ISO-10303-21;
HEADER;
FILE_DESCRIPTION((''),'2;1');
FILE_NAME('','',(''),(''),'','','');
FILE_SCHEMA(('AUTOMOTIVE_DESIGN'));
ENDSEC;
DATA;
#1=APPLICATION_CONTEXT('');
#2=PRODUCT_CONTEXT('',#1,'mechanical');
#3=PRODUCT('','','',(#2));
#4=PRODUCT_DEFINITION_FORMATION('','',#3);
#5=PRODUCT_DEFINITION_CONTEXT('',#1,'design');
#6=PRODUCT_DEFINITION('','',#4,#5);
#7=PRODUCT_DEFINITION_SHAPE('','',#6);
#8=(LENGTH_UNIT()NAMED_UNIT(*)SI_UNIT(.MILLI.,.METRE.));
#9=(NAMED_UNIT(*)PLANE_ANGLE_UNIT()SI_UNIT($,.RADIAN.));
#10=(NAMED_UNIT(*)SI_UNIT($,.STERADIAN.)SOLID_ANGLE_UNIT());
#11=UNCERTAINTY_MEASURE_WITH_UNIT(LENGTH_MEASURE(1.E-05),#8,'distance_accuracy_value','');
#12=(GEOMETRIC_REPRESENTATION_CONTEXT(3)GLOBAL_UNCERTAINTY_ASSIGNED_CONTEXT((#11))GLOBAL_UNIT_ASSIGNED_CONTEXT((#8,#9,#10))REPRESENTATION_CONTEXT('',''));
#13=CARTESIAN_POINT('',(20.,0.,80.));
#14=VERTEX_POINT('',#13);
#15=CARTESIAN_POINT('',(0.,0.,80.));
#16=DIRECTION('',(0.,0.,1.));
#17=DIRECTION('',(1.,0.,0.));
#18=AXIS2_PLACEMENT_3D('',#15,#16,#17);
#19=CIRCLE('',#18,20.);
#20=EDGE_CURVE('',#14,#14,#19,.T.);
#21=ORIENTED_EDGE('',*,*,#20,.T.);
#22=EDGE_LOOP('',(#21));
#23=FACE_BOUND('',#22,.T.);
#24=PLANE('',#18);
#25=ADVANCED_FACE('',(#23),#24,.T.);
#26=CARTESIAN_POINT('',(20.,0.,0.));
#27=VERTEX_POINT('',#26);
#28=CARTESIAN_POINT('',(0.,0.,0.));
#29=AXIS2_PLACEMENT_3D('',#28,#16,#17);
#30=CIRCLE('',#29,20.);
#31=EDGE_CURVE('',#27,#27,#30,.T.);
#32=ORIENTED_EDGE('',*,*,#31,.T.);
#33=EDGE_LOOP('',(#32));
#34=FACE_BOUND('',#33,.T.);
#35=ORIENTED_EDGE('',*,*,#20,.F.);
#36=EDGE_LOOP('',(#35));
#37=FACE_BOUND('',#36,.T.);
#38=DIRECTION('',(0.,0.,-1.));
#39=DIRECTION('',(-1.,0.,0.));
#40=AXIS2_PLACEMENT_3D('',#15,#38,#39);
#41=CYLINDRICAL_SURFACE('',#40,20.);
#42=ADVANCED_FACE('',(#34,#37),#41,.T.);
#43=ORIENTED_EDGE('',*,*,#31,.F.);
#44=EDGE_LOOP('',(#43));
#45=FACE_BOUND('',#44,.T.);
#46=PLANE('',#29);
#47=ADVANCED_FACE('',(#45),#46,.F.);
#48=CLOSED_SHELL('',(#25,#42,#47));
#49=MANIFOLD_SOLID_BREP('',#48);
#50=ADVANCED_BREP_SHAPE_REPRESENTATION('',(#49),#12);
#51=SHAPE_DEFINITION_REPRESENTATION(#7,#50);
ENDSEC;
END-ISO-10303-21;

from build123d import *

# Parameters (mm, degrees)
ESQUISSE1_R        = 20
BOSS_EXTRU_1_DEPTH = 80


with BuildPart() as part:
    # Esquisse1 → Boss.-Extru.1 (new body)
    with BuildSketch(Plane.XY):
        Circle(ESQUISSE1_R)
    extrude(amount=BOSS_EXTRU_1_DEPTH)


solid = part.part
